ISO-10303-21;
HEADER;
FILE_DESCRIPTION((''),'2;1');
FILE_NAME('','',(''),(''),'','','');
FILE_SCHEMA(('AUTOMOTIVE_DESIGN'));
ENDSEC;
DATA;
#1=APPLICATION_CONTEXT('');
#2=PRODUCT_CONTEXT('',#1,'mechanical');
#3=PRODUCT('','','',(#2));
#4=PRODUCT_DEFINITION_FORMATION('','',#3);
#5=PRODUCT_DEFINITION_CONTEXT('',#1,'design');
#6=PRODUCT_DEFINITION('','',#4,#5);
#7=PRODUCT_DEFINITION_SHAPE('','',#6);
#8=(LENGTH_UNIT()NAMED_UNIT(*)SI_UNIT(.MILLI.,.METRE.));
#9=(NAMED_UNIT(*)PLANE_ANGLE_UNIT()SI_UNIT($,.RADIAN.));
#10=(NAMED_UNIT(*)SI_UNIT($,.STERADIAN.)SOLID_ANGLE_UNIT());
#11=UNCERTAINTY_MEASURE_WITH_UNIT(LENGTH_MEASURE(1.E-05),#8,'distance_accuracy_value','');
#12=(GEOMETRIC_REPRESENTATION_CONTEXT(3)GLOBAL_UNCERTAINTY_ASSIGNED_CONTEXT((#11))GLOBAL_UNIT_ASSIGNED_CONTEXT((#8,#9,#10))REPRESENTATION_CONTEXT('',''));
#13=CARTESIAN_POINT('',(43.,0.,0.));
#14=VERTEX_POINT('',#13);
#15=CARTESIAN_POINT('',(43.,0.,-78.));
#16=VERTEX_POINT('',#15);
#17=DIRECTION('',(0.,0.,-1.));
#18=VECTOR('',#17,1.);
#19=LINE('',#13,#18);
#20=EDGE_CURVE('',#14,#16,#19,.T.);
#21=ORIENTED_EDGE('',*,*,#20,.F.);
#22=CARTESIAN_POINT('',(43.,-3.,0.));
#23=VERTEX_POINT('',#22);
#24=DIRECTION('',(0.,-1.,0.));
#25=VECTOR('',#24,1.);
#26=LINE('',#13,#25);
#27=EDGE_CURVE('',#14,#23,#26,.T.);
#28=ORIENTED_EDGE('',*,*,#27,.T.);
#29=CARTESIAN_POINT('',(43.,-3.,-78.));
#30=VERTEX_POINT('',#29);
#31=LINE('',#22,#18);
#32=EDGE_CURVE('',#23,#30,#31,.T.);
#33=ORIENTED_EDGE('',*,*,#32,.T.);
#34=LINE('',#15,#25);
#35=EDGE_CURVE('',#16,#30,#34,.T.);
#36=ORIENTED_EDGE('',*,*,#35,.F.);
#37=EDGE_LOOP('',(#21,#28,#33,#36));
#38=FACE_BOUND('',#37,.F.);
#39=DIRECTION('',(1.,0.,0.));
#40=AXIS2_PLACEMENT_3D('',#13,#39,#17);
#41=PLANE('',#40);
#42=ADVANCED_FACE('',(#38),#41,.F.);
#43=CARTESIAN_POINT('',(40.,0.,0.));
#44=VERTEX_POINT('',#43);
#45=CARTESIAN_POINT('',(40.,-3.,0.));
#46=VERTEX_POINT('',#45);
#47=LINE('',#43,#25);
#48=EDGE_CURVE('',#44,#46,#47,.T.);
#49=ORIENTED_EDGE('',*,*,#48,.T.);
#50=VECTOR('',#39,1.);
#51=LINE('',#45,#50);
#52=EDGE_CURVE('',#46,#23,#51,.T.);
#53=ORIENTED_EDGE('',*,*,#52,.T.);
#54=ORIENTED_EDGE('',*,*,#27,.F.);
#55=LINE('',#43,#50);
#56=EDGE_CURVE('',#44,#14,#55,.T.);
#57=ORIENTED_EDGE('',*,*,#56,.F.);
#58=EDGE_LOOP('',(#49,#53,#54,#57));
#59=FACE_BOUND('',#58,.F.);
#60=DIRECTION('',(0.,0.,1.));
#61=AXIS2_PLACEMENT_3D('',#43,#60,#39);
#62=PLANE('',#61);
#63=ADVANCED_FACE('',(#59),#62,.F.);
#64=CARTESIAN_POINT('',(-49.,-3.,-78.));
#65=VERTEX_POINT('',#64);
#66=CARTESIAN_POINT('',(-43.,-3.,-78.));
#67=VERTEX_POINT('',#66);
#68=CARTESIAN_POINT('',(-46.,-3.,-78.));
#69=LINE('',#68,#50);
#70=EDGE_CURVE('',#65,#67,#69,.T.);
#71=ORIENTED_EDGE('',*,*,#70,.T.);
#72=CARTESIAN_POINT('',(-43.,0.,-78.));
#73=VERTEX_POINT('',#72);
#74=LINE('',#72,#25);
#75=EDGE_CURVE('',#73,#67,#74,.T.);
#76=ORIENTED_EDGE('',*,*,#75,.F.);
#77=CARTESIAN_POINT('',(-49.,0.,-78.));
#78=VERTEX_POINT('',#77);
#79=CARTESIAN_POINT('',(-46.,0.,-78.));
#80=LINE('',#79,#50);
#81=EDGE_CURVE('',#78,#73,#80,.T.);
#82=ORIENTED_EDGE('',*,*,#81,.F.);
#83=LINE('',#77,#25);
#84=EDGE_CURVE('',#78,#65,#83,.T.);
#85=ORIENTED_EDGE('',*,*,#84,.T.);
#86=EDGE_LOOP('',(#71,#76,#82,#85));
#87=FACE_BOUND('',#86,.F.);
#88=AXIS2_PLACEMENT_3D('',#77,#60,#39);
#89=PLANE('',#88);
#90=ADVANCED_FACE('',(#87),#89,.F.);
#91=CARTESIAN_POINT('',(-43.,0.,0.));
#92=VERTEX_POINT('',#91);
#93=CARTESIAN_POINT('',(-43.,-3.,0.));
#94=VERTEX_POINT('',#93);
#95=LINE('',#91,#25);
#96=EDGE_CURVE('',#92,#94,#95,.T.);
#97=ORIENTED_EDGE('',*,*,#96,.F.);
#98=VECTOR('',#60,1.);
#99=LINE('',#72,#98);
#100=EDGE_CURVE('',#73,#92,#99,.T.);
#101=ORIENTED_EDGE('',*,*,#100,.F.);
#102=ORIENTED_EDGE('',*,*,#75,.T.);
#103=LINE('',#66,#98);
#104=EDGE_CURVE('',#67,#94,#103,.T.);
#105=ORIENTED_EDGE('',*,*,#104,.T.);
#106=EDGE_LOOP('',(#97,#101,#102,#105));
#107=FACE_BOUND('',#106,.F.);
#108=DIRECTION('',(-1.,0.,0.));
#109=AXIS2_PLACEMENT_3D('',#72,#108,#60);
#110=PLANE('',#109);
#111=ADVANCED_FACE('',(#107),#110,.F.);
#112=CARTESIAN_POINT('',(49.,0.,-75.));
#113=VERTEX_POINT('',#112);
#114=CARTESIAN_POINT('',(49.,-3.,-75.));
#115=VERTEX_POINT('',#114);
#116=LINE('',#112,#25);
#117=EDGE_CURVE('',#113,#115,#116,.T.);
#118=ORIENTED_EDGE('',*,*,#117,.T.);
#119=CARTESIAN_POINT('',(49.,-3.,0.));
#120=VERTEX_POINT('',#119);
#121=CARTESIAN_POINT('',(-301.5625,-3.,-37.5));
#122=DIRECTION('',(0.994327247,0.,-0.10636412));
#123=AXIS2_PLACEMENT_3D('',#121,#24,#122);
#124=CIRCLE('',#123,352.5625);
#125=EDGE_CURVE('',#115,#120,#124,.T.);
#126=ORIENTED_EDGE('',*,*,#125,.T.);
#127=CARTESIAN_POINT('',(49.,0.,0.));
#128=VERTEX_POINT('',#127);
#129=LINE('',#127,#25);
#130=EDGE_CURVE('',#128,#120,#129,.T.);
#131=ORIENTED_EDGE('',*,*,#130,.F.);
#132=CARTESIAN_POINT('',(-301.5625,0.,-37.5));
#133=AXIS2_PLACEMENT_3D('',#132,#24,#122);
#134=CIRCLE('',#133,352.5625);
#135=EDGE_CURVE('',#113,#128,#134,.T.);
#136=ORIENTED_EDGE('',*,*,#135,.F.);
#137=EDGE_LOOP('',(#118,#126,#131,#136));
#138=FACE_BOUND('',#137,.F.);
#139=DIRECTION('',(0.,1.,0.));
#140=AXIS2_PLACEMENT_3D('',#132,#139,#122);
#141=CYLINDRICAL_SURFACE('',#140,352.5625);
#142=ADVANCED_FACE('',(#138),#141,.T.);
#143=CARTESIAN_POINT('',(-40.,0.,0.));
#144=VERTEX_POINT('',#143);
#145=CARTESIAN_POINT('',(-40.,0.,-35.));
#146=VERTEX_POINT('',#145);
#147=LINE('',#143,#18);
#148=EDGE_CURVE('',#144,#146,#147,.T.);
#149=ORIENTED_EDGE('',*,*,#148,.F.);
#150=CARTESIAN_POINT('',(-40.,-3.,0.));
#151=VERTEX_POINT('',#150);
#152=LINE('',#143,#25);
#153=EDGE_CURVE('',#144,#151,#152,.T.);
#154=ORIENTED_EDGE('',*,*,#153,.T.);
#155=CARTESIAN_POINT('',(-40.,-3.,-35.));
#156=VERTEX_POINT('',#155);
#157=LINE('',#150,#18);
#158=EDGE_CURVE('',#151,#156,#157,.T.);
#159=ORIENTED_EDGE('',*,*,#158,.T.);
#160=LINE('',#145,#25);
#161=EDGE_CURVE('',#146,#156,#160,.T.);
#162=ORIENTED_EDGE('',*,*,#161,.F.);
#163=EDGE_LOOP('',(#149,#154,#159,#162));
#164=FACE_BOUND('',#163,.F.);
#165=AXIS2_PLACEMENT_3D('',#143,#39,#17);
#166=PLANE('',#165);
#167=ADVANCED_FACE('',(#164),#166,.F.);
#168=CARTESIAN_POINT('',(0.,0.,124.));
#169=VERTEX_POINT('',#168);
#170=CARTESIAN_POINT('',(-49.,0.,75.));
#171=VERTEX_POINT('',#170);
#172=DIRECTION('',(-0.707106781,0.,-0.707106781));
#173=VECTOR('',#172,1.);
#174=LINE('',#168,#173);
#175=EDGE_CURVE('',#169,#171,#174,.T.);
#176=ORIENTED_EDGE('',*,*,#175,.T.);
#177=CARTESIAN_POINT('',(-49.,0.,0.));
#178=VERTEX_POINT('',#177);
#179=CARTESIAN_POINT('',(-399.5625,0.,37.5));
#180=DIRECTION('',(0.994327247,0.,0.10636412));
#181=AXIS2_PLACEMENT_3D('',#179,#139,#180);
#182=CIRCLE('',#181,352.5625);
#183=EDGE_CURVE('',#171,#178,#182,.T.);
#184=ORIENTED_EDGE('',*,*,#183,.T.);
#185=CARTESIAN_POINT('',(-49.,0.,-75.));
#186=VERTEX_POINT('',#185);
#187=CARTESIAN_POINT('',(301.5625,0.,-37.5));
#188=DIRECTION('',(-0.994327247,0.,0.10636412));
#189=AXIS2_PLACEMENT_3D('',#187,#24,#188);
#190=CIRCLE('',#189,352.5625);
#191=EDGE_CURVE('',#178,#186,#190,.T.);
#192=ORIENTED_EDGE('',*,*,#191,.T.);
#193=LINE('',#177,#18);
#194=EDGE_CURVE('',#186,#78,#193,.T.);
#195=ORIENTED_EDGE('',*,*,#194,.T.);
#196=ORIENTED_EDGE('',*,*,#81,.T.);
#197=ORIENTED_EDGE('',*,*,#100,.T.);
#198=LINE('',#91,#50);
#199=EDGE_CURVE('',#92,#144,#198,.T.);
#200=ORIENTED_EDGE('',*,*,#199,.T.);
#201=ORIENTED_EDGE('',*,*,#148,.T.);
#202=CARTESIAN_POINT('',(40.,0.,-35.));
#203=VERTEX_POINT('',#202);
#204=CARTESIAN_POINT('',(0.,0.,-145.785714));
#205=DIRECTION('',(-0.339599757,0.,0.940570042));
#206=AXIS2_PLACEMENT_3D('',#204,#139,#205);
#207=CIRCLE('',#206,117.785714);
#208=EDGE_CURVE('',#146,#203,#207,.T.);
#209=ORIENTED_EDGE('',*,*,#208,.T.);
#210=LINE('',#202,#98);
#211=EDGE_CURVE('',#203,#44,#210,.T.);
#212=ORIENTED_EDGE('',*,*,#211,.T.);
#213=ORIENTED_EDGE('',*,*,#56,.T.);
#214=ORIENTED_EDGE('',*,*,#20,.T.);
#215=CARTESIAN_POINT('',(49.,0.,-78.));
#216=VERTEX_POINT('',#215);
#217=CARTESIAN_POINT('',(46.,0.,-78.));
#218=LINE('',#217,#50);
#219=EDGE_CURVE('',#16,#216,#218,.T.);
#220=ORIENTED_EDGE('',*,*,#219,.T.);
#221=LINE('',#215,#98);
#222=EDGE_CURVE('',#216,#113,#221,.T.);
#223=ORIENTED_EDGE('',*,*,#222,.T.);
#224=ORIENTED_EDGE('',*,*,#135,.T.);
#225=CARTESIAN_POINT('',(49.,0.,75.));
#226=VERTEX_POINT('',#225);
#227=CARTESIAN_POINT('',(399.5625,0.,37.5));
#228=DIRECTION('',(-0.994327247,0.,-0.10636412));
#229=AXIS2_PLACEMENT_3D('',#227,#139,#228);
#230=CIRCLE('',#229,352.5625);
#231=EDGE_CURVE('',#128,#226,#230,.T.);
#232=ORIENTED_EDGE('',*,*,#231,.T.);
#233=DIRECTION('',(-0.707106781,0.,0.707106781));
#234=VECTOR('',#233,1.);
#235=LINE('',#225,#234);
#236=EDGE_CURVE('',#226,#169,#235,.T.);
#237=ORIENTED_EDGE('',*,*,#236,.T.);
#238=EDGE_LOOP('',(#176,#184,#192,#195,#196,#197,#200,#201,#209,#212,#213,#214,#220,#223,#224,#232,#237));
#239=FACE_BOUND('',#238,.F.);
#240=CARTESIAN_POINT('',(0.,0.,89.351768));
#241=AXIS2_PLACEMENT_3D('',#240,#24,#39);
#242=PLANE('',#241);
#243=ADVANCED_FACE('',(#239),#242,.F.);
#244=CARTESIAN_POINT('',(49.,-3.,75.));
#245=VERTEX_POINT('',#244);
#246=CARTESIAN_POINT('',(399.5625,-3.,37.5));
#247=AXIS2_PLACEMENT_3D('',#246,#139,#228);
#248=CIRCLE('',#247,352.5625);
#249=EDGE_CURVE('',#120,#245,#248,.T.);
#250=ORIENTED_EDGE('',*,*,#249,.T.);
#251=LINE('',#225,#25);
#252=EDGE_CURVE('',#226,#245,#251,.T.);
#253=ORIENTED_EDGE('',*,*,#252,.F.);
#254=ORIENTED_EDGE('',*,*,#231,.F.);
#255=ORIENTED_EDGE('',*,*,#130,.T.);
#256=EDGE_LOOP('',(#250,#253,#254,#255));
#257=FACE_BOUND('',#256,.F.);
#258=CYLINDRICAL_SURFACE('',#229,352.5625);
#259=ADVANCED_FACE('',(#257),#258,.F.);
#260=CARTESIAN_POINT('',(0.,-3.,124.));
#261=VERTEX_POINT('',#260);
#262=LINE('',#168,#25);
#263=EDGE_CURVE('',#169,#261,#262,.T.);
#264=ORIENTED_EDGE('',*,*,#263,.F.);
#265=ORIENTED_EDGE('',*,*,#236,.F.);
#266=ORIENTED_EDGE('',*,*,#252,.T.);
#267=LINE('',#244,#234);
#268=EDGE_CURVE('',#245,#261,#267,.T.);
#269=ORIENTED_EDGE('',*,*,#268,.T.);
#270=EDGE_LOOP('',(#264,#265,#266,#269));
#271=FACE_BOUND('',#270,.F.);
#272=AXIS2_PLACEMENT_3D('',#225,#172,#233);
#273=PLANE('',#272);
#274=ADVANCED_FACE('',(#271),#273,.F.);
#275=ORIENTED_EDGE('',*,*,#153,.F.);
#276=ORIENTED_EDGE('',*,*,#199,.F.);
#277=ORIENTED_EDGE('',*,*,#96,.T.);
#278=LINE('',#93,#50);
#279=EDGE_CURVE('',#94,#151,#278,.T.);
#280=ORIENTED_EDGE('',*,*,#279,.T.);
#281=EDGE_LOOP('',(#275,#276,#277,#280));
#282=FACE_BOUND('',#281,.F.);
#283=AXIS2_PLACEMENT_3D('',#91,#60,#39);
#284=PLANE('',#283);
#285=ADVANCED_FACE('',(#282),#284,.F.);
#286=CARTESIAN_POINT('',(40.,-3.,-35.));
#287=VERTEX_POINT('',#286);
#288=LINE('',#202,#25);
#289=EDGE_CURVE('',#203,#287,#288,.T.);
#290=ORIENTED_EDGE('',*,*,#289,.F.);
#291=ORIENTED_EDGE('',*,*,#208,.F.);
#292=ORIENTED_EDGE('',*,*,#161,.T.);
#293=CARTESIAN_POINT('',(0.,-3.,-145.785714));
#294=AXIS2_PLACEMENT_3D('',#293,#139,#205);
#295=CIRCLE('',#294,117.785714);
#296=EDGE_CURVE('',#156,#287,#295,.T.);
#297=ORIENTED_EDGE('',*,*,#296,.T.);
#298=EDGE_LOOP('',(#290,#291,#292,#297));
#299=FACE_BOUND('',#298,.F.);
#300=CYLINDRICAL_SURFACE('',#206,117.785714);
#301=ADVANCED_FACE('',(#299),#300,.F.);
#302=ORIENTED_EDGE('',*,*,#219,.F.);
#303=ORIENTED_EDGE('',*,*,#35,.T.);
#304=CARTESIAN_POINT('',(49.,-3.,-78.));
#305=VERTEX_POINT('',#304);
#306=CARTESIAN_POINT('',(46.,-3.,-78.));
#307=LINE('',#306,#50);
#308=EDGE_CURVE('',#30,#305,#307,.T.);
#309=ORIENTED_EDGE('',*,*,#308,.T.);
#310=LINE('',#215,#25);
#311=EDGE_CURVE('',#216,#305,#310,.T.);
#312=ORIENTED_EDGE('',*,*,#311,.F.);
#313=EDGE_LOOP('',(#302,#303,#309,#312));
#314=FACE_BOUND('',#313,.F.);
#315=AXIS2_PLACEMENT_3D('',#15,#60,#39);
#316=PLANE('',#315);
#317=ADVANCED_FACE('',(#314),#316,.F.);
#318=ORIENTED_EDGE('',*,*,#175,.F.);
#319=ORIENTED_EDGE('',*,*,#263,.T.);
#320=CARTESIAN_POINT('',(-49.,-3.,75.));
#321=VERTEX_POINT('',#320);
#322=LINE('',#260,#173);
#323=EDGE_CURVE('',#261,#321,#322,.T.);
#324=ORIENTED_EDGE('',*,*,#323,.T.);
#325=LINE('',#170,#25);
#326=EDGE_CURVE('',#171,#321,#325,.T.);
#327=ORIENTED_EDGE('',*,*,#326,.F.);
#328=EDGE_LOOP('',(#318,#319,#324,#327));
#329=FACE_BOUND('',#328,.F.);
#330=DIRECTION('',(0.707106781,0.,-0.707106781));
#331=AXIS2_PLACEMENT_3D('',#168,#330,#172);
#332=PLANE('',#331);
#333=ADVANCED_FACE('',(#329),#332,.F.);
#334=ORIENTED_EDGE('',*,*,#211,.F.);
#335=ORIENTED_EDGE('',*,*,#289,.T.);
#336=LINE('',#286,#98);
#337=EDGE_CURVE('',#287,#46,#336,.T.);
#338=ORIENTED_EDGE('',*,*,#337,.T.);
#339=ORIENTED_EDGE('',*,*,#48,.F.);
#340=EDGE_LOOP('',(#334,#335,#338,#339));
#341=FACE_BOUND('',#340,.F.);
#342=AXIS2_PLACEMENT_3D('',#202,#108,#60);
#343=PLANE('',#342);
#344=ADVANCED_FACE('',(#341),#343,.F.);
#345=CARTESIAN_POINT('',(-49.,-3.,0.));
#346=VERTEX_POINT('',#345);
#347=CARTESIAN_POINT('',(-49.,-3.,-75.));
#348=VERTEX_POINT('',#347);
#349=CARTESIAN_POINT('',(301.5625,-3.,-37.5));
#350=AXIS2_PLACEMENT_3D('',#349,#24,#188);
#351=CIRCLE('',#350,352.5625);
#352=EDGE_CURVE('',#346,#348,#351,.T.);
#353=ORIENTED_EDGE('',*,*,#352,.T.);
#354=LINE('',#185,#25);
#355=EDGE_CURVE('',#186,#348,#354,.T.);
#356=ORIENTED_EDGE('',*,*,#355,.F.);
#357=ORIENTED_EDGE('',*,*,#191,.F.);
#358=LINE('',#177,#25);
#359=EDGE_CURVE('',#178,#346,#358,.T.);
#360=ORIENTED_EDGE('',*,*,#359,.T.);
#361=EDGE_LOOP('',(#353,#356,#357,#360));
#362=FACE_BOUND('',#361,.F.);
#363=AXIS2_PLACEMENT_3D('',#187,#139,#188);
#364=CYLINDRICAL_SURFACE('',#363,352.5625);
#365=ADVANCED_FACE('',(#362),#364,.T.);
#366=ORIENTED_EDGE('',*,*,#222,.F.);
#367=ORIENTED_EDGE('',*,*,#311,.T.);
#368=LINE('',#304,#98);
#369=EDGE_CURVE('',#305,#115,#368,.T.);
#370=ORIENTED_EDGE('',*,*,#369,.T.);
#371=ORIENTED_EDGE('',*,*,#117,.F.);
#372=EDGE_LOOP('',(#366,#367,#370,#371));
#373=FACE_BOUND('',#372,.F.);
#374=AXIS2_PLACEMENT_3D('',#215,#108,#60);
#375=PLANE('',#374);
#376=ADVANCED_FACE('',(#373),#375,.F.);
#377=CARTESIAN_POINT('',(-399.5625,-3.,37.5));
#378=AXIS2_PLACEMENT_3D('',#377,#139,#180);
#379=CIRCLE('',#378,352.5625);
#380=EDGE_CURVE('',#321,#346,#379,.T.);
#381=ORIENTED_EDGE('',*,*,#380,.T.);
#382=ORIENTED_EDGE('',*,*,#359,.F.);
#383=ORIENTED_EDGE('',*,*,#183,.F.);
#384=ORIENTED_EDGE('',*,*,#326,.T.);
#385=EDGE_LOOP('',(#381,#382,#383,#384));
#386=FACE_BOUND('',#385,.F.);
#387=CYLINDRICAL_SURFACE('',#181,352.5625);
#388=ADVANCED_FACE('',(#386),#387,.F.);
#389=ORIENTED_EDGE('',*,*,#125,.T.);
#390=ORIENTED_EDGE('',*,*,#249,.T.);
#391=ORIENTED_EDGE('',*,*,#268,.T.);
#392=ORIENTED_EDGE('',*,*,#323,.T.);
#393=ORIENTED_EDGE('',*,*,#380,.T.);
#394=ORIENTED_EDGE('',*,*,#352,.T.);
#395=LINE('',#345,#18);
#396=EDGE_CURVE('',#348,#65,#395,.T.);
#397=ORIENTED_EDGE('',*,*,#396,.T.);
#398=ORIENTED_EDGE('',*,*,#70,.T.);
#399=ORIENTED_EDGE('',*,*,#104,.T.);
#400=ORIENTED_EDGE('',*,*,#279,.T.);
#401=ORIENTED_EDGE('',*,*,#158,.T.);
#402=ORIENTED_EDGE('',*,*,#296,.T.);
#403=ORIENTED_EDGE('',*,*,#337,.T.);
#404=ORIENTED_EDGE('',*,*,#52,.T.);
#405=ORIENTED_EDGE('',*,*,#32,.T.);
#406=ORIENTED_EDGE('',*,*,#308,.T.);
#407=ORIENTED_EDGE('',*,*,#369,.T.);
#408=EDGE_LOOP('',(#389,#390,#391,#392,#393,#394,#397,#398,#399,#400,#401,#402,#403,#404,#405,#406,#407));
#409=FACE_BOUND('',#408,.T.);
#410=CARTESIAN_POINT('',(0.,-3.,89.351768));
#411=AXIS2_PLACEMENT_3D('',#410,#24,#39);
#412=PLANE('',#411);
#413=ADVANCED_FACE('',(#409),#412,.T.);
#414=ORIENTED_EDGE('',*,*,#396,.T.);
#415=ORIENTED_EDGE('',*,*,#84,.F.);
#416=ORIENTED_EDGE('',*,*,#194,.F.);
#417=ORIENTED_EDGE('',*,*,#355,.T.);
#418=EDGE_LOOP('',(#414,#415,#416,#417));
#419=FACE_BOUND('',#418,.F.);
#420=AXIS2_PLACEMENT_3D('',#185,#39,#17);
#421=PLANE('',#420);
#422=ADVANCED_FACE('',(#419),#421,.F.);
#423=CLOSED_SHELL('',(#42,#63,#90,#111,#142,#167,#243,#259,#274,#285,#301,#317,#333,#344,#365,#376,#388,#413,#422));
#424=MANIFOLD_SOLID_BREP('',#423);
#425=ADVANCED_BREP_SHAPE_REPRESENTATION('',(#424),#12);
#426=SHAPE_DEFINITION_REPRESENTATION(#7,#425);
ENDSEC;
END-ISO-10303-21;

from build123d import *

# Parameters (mm, degrees)
F1_W     = 6
F1_H     = 3
F2_DEPTH = 3


with BuildPart() as f2:
    # F1 (on Front) → F2 (new body)
    with BuildSketch(Plane.XZ):
        Polygon((-49, 75), (49, 75), (0, 124), align=None)
        with BuildLine():
            Line((43, -75), (49, -75))
            Line((49, -75), (49, 0))
            ThreePointArc((49, 0), (47, 37.5), (49, 75))
            Line((49, 75), (-49, 75))
            ThreePointArc((-49, 75), (-47, 37.5), (-49, 0))
            Line((-49, 0), (-49, -75))
            Line((-49, -75), (-43, -75))
            Line((-43, -75), (-43, 0))
            Line((-43, 0), (-40, 0))
            Line((-40, 0), (-40, -35))
            ThreePointArc((-40, -35), (0, -28), (40, -35))
            Line((40, -35), (40, 0))
            Line((40, 0), (43, 0))
            Line((43, 0), (43, -75))
        make_face()
        with Locations((-46, -76.5)):
            Rectangle(F1_W, F1_H)
        with Locations((46, -76.5)):
            Rectangle(F1_W, F1_H)
        with BuildLine():
            Line((-49, -75), (-49, 0))
            ThreePointArc((-49, 0), (-51, -37.5), (-49, -75))
        make_face()
        with BuildLine():
            Line((49, 0), (49, -75))
            ThreePointArc((49, -75), (51, -37.5), (49, 0))
        make_face()
    extrude(amount=F2_DEPTH)


solid = f2.part
